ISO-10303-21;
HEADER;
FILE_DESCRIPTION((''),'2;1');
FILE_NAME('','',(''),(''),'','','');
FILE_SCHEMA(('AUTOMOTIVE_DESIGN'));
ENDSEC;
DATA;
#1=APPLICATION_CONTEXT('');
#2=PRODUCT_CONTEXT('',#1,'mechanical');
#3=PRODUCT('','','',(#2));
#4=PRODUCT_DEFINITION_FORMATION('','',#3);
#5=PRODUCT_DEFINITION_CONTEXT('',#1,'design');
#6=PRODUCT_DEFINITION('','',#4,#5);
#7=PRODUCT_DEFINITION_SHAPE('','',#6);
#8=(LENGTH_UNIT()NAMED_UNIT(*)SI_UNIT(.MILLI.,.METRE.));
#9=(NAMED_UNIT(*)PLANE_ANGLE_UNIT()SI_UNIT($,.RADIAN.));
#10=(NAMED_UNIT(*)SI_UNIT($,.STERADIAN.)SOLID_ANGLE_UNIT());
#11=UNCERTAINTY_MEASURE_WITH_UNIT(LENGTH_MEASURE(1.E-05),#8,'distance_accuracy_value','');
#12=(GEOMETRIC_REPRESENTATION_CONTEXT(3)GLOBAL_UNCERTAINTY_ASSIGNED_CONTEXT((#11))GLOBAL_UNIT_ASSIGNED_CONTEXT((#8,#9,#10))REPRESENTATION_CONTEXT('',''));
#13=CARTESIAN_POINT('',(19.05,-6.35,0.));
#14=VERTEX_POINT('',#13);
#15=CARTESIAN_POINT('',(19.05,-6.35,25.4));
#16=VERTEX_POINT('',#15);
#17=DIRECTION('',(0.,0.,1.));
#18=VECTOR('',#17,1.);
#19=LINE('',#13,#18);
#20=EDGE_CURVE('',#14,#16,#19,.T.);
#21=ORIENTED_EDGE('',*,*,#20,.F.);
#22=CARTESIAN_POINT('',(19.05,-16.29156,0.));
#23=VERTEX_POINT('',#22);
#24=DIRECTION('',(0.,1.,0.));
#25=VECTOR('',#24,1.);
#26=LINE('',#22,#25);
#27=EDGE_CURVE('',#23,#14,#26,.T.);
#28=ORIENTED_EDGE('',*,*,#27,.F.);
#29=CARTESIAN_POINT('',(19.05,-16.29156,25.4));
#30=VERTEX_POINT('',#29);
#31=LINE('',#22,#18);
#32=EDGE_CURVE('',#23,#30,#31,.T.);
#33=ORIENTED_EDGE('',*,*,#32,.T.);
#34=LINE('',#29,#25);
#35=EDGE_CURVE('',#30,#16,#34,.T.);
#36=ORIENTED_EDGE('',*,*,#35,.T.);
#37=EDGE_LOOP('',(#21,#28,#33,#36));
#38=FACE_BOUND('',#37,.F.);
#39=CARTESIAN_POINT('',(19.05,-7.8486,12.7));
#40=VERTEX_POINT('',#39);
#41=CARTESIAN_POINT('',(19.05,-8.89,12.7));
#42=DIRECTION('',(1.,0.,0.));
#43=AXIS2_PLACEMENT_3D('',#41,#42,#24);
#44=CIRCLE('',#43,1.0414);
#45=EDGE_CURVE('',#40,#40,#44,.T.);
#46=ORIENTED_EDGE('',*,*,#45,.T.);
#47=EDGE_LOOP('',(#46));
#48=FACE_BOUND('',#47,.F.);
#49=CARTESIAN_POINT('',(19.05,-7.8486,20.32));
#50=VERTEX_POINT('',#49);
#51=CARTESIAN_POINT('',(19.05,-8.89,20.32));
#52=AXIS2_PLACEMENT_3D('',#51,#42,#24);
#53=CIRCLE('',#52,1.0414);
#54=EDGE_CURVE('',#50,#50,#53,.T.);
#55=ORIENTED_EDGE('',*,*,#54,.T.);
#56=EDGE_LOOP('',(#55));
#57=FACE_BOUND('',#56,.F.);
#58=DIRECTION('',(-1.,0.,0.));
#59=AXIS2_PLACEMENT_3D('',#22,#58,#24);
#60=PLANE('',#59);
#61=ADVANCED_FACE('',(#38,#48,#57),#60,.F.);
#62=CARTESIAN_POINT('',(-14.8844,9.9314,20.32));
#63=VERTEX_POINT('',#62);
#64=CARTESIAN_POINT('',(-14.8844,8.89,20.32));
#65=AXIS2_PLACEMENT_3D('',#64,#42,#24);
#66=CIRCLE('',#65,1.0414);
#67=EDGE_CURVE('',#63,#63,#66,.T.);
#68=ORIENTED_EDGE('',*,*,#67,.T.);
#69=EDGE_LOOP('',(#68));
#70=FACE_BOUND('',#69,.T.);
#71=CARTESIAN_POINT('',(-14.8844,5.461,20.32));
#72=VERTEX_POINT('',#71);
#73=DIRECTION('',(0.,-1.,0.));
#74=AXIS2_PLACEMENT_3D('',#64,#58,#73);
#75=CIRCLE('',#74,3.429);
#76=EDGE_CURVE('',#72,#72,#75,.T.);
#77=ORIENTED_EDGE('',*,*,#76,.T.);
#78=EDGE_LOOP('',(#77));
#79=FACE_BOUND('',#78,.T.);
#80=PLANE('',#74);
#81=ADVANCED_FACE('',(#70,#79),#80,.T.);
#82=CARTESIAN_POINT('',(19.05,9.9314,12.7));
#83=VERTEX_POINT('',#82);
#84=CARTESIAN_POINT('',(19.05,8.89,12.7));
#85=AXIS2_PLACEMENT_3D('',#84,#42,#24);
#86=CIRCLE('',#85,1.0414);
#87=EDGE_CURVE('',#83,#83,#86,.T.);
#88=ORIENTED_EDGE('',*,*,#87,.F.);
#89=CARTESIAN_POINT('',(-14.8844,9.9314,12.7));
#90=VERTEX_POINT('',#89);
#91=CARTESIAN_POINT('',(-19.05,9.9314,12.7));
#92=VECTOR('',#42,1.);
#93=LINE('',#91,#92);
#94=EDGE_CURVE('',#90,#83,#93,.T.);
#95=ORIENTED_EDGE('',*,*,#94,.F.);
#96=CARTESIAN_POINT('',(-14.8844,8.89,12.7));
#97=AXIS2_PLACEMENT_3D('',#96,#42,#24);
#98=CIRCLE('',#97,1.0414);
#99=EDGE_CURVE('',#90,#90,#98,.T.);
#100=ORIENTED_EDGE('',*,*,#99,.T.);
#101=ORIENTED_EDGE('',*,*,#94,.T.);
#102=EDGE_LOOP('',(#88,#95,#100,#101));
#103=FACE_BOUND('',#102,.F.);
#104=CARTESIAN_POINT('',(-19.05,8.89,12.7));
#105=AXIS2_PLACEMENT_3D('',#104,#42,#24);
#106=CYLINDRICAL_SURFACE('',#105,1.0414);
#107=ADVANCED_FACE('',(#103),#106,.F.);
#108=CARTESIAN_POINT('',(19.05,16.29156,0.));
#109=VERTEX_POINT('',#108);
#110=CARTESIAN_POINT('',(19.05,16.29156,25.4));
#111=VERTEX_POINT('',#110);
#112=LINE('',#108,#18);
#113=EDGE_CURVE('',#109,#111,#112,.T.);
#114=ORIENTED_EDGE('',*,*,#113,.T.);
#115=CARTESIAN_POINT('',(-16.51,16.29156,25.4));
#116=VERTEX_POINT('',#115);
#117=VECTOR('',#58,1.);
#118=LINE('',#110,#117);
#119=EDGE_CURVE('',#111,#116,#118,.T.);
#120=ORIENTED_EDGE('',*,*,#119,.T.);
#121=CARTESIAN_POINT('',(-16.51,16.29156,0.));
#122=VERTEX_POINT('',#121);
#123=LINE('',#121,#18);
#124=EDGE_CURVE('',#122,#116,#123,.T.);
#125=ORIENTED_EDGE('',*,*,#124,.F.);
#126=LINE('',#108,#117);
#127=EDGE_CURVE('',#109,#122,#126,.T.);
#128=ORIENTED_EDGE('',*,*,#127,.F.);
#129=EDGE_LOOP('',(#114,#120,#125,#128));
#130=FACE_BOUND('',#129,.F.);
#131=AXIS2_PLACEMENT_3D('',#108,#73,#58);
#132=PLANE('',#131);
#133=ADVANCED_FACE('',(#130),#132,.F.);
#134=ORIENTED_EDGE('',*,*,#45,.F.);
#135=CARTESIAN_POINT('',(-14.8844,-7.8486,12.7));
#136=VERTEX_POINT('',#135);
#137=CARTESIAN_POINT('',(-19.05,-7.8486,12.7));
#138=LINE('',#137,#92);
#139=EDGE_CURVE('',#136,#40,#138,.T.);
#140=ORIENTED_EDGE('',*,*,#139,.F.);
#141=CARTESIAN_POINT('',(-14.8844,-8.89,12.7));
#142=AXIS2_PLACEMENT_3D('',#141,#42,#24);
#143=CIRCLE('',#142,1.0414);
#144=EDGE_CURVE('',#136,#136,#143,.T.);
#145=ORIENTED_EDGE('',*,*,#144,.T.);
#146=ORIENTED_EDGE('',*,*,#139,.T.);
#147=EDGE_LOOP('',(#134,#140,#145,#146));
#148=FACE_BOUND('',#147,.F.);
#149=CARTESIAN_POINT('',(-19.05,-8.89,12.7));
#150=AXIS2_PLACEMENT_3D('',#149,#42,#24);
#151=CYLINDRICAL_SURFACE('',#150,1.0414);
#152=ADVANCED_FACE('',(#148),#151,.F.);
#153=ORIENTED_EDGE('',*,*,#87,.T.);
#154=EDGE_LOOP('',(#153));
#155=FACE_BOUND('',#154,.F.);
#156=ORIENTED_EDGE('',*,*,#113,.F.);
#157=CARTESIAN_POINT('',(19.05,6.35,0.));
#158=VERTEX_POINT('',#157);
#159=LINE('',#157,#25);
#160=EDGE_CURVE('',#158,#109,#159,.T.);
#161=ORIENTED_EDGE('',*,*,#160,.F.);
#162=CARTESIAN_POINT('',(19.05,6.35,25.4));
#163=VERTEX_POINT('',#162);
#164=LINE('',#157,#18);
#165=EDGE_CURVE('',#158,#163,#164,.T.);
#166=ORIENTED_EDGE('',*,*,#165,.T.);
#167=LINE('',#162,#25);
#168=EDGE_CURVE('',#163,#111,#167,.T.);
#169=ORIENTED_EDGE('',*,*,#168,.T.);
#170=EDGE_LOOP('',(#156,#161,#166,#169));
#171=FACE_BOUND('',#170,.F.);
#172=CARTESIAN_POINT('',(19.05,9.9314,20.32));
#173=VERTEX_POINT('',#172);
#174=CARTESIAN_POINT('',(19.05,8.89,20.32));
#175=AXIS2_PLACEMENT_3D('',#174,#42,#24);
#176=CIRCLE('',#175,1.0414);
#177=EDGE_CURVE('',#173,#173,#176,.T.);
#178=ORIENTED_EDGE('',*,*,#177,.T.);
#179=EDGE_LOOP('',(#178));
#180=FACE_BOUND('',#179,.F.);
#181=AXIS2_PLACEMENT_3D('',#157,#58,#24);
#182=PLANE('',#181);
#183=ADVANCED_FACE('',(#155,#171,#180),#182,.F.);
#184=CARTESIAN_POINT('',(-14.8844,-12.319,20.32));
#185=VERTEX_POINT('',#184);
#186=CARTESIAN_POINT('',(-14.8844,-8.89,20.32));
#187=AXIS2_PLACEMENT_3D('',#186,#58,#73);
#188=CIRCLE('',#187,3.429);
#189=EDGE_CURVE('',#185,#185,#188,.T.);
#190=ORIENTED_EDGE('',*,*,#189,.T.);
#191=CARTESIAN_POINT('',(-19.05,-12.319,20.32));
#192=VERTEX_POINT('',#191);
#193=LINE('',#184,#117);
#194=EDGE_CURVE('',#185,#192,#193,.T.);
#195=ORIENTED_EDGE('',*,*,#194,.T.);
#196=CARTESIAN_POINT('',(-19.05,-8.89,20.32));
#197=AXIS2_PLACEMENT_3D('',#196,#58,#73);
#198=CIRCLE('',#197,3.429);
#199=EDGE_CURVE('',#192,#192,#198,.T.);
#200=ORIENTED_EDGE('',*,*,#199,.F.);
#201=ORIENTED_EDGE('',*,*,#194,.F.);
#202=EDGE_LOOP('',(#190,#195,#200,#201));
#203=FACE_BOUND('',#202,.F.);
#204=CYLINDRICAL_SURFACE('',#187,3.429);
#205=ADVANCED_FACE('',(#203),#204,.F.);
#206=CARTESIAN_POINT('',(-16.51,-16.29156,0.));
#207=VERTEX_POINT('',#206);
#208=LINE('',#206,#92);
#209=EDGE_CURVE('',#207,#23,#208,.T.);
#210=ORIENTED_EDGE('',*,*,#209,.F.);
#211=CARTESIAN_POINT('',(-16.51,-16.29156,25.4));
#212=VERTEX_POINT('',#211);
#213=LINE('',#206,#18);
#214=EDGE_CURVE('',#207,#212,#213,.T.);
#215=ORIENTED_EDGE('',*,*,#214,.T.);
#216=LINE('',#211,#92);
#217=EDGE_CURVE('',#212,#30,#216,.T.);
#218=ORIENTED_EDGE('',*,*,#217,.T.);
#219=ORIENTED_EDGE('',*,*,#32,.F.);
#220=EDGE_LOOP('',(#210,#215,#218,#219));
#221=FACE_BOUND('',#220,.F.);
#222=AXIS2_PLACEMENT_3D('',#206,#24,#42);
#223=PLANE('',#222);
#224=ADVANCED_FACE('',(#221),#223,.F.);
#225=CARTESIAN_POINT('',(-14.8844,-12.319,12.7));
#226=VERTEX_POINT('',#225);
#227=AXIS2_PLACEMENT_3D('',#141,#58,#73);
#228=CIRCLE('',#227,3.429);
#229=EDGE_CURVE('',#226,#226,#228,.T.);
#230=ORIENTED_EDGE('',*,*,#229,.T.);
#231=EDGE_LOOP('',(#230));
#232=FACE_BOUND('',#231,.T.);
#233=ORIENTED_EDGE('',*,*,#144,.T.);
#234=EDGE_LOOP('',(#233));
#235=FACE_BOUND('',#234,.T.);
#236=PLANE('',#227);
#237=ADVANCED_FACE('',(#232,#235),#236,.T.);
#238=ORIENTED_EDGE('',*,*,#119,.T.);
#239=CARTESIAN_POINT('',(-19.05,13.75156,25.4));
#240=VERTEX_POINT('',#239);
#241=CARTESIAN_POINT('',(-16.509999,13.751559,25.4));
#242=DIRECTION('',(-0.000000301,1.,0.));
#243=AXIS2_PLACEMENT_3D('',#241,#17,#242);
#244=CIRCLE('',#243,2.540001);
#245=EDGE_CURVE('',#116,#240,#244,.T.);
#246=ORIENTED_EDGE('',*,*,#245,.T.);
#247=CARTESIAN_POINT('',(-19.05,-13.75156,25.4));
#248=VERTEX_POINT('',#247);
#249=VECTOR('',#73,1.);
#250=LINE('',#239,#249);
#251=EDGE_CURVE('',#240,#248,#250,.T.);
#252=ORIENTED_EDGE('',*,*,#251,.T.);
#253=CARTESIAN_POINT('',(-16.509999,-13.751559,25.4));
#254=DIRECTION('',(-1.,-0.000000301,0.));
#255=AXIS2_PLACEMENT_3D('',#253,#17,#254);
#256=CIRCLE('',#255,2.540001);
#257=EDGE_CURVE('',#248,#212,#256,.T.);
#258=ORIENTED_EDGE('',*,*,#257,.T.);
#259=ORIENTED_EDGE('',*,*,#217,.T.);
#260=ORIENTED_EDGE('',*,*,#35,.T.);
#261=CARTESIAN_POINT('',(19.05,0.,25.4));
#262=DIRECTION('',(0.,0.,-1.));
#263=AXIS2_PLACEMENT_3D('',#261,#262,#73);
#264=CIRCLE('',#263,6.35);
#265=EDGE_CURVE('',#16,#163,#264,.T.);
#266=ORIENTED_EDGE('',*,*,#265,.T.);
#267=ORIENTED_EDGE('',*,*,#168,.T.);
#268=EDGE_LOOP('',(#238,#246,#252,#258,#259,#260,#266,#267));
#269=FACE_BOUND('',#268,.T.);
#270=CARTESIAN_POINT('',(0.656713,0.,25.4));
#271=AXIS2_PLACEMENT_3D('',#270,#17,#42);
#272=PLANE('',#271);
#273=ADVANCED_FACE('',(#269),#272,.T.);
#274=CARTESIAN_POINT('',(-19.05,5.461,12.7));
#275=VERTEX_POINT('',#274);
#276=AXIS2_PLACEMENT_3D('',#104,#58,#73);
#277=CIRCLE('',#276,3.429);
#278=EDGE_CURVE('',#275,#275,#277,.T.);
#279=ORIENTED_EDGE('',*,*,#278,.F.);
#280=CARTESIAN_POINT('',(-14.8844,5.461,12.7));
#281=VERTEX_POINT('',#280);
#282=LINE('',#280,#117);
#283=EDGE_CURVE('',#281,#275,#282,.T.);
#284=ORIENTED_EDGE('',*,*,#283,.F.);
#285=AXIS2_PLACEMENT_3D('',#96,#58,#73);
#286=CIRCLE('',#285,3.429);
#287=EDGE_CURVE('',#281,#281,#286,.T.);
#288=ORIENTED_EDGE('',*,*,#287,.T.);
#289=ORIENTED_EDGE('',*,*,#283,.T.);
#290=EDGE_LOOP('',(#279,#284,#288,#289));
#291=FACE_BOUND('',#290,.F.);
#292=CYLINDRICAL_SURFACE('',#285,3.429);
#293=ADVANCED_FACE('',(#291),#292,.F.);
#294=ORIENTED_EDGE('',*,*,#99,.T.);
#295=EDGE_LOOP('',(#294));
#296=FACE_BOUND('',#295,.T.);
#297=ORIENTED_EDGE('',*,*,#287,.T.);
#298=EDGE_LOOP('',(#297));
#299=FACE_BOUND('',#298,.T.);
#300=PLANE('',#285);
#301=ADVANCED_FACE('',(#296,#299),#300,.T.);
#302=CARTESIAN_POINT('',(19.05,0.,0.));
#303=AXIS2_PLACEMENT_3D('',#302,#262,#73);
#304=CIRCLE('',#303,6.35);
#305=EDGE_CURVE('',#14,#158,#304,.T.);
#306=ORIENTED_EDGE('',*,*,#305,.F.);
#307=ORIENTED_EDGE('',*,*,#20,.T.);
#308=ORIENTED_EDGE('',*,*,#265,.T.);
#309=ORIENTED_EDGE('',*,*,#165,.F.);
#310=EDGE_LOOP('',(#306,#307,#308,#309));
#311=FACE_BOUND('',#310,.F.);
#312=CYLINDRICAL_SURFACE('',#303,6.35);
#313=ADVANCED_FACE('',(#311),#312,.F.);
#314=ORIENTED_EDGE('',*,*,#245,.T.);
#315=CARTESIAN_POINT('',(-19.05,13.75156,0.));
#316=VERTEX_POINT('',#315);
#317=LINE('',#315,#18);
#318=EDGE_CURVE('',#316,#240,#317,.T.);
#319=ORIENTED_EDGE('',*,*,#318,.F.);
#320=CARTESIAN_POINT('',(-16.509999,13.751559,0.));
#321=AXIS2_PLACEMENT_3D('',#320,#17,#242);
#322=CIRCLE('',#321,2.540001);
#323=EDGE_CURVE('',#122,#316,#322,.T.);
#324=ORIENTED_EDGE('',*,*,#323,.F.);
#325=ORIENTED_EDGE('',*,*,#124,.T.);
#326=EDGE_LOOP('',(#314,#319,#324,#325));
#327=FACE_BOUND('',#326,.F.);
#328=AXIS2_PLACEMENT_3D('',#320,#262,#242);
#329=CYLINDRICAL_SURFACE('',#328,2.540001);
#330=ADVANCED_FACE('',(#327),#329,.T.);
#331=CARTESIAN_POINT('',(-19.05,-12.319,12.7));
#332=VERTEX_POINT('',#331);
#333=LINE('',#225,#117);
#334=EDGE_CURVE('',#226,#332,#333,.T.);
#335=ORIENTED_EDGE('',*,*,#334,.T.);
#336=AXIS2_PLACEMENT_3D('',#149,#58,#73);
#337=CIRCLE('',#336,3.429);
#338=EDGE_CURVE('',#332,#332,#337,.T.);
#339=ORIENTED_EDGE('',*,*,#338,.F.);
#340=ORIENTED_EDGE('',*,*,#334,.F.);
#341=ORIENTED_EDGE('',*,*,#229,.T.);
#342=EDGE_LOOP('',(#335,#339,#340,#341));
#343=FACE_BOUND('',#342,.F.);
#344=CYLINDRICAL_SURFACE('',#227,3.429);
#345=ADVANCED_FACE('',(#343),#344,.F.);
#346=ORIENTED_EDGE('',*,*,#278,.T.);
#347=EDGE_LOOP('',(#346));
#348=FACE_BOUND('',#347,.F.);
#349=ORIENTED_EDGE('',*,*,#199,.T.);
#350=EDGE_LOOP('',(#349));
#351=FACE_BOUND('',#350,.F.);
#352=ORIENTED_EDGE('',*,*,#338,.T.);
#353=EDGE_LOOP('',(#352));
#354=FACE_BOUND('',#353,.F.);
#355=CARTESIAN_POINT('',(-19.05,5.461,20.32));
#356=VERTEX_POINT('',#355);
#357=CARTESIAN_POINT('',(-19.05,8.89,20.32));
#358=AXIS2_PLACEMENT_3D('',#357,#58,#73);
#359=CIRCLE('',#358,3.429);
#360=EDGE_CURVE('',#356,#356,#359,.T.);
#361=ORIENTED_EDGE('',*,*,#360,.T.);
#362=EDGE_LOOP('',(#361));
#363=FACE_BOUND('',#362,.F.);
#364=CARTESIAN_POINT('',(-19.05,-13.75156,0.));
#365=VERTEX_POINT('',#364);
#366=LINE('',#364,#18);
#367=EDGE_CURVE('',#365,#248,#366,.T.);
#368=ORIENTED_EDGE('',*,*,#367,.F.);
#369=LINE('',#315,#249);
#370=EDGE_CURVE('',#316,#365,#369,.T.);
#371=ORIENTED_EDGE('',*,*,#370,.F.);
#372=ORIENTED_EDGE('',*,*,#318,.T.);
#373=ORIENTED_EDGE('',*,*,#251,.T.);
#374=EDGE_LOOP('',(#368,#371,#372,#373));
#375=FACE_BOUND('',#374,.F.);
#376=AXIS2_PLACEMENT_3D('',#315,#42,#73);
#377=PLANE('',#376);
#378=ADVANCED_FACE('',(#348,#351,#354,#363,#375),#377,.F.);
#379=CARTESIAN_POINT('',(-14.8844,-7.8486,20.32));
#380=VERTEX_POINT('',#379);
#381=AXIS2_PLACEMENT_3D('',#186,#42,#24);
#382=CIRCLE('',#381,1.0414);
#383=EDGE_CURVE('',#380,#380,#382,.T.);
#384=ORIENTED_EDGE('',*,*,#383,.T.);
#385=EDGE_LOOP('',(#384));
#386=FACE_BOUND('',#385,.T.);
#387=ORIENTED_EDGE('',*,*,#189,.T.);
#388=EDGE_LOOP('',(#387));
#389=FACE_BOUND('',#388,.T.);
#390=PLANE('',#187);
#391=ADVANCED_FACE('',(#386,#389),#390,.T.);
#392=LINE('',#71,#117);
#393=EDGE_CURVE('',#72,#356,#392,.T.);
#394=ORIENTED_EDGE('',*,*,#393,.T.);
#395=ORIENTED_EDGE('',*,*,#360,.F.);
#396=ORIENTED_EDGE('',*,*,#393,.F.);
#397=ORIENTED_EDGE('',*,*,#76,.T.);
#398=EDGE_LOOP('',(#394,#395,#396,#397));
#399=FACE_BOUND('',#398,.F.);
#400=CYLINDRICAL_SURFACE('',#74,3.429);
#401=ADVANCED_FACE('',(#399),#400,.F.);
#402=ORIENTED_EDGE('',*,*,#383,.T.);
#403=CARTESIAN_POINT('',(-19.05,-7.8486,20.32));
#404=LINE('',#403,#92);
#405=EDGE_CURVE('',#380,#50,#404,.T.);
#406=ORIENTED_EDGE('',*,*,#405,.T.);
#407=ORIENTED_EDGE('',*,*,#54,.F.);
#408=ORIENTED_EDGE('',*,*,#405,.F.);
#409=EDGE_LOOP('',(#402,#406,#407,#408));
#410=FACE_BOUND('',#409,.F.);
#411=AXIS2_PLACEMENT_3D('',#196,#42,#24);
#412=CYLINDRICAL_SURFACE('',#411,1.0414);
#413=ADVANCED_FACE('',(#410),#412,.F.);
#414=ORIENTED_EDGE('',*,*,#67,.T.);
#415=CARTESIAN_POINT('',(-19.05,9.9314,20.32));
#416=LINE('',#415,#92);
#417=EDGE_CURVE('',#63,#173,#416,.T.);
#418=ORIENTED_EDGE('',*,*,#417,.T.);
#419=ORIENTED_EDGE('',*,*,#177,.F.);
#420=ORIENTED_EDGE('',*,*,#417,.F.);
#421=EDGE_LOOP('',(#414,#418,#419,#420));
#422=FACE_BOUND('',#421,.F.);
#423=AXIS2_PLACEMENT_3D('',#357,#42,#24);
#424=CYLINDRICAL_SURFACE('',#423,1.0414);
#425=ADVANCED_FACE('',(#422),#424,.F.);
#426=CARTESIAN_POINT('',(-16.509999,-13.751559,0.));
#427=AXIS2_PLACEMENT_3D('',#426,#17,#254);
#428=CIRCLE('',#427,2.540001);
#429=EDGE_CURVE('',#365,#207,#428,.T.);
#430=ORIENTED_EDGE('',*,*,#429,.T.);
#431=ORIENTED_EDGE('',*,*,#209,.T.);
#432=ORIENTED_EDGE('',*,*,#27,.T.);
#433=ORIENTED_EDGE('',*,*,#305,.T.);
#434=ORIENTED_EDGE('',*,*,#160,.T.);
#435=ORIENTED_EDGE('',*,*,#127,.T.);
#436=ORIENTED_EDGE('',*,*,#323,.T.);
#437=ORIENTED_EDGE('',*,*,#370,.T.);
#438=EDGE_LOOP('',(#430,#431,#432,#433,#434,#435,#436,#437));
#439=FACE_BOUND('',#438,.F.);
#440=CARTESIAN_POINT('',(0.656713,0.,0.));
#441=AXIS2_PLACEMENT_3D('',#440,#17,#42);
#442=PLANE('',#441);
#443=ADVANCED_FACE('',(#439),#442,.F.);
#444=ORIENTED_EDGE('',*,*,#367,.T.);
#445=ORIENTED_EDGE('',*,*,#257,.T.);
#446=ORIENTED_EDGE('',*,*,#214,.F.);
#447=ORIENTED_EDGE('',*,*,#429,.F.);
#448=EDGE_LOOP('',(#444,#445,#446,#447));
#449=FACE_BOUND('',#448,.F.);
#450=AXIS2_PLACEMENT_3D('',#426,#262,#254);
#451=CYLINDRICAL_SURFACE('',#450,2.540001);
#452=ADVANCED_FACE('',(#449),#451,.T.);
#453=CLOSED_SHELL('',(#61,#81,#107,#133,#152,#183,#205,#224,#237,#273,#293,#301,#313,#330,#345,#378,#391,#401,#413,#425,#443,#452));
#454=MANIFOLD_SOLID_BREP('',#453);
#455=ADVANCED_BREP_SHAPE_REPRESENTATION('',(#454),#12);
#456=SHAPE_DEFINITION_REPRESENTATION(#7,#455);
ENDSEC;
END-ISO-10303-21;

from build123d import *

# Parameters (mm, degrees)
F1_DEPTH       = 25.4
F3_D           = 2.0828
F3_CBORE_D     = 6.858
F3_CBORE_DEPTH = 4.1656


with BuildPart() as f1:
    # F0 (on Top) → F1 (new body)
    with BuildSketch(Plane.XY):
        with BuildLine():
            Line((-16.51, -16.29156), (19.05, -16.29156))
            Line((19.05, -16.29156), (19.05, -6.35))
            ThreePointArc((19.05, -6.35), (12.7, 0), (19.05, 6.35))
            Line((19.05, 6.35), (19.05, 16.29156))
            Line((19.05, 16.29156), (-16.51, 16.29156))
            ThreePointArc((-16.51, 16.29156), (-18.306051, 15.547611), (-19.05, 13.75156))
            Line((-19.05, 13.75156), (-19.05, -13.75156))
            ThreePointArc((-19.05, -13.75156), (-18.306051, -15.547611), (-16.51, -16.29156))
        make_face()
    extrude(amount=F1_DEPTH)

    # F3 (through all)
    with Locations(Plane(origin=(-19.05, 0, 0), x_dir=(0, -1, 0), z_dir=(-1, 0, 0))):
        with Locations((-8.89, 20.32), (-8.89, 12.7), (8.89, 20.32), (8.89, 12.7)):
            CounterBoreHole(F3_D / 2, F3_CBORE_D / 2, F3_CBORE_DEPTH)


solid = f1.part
